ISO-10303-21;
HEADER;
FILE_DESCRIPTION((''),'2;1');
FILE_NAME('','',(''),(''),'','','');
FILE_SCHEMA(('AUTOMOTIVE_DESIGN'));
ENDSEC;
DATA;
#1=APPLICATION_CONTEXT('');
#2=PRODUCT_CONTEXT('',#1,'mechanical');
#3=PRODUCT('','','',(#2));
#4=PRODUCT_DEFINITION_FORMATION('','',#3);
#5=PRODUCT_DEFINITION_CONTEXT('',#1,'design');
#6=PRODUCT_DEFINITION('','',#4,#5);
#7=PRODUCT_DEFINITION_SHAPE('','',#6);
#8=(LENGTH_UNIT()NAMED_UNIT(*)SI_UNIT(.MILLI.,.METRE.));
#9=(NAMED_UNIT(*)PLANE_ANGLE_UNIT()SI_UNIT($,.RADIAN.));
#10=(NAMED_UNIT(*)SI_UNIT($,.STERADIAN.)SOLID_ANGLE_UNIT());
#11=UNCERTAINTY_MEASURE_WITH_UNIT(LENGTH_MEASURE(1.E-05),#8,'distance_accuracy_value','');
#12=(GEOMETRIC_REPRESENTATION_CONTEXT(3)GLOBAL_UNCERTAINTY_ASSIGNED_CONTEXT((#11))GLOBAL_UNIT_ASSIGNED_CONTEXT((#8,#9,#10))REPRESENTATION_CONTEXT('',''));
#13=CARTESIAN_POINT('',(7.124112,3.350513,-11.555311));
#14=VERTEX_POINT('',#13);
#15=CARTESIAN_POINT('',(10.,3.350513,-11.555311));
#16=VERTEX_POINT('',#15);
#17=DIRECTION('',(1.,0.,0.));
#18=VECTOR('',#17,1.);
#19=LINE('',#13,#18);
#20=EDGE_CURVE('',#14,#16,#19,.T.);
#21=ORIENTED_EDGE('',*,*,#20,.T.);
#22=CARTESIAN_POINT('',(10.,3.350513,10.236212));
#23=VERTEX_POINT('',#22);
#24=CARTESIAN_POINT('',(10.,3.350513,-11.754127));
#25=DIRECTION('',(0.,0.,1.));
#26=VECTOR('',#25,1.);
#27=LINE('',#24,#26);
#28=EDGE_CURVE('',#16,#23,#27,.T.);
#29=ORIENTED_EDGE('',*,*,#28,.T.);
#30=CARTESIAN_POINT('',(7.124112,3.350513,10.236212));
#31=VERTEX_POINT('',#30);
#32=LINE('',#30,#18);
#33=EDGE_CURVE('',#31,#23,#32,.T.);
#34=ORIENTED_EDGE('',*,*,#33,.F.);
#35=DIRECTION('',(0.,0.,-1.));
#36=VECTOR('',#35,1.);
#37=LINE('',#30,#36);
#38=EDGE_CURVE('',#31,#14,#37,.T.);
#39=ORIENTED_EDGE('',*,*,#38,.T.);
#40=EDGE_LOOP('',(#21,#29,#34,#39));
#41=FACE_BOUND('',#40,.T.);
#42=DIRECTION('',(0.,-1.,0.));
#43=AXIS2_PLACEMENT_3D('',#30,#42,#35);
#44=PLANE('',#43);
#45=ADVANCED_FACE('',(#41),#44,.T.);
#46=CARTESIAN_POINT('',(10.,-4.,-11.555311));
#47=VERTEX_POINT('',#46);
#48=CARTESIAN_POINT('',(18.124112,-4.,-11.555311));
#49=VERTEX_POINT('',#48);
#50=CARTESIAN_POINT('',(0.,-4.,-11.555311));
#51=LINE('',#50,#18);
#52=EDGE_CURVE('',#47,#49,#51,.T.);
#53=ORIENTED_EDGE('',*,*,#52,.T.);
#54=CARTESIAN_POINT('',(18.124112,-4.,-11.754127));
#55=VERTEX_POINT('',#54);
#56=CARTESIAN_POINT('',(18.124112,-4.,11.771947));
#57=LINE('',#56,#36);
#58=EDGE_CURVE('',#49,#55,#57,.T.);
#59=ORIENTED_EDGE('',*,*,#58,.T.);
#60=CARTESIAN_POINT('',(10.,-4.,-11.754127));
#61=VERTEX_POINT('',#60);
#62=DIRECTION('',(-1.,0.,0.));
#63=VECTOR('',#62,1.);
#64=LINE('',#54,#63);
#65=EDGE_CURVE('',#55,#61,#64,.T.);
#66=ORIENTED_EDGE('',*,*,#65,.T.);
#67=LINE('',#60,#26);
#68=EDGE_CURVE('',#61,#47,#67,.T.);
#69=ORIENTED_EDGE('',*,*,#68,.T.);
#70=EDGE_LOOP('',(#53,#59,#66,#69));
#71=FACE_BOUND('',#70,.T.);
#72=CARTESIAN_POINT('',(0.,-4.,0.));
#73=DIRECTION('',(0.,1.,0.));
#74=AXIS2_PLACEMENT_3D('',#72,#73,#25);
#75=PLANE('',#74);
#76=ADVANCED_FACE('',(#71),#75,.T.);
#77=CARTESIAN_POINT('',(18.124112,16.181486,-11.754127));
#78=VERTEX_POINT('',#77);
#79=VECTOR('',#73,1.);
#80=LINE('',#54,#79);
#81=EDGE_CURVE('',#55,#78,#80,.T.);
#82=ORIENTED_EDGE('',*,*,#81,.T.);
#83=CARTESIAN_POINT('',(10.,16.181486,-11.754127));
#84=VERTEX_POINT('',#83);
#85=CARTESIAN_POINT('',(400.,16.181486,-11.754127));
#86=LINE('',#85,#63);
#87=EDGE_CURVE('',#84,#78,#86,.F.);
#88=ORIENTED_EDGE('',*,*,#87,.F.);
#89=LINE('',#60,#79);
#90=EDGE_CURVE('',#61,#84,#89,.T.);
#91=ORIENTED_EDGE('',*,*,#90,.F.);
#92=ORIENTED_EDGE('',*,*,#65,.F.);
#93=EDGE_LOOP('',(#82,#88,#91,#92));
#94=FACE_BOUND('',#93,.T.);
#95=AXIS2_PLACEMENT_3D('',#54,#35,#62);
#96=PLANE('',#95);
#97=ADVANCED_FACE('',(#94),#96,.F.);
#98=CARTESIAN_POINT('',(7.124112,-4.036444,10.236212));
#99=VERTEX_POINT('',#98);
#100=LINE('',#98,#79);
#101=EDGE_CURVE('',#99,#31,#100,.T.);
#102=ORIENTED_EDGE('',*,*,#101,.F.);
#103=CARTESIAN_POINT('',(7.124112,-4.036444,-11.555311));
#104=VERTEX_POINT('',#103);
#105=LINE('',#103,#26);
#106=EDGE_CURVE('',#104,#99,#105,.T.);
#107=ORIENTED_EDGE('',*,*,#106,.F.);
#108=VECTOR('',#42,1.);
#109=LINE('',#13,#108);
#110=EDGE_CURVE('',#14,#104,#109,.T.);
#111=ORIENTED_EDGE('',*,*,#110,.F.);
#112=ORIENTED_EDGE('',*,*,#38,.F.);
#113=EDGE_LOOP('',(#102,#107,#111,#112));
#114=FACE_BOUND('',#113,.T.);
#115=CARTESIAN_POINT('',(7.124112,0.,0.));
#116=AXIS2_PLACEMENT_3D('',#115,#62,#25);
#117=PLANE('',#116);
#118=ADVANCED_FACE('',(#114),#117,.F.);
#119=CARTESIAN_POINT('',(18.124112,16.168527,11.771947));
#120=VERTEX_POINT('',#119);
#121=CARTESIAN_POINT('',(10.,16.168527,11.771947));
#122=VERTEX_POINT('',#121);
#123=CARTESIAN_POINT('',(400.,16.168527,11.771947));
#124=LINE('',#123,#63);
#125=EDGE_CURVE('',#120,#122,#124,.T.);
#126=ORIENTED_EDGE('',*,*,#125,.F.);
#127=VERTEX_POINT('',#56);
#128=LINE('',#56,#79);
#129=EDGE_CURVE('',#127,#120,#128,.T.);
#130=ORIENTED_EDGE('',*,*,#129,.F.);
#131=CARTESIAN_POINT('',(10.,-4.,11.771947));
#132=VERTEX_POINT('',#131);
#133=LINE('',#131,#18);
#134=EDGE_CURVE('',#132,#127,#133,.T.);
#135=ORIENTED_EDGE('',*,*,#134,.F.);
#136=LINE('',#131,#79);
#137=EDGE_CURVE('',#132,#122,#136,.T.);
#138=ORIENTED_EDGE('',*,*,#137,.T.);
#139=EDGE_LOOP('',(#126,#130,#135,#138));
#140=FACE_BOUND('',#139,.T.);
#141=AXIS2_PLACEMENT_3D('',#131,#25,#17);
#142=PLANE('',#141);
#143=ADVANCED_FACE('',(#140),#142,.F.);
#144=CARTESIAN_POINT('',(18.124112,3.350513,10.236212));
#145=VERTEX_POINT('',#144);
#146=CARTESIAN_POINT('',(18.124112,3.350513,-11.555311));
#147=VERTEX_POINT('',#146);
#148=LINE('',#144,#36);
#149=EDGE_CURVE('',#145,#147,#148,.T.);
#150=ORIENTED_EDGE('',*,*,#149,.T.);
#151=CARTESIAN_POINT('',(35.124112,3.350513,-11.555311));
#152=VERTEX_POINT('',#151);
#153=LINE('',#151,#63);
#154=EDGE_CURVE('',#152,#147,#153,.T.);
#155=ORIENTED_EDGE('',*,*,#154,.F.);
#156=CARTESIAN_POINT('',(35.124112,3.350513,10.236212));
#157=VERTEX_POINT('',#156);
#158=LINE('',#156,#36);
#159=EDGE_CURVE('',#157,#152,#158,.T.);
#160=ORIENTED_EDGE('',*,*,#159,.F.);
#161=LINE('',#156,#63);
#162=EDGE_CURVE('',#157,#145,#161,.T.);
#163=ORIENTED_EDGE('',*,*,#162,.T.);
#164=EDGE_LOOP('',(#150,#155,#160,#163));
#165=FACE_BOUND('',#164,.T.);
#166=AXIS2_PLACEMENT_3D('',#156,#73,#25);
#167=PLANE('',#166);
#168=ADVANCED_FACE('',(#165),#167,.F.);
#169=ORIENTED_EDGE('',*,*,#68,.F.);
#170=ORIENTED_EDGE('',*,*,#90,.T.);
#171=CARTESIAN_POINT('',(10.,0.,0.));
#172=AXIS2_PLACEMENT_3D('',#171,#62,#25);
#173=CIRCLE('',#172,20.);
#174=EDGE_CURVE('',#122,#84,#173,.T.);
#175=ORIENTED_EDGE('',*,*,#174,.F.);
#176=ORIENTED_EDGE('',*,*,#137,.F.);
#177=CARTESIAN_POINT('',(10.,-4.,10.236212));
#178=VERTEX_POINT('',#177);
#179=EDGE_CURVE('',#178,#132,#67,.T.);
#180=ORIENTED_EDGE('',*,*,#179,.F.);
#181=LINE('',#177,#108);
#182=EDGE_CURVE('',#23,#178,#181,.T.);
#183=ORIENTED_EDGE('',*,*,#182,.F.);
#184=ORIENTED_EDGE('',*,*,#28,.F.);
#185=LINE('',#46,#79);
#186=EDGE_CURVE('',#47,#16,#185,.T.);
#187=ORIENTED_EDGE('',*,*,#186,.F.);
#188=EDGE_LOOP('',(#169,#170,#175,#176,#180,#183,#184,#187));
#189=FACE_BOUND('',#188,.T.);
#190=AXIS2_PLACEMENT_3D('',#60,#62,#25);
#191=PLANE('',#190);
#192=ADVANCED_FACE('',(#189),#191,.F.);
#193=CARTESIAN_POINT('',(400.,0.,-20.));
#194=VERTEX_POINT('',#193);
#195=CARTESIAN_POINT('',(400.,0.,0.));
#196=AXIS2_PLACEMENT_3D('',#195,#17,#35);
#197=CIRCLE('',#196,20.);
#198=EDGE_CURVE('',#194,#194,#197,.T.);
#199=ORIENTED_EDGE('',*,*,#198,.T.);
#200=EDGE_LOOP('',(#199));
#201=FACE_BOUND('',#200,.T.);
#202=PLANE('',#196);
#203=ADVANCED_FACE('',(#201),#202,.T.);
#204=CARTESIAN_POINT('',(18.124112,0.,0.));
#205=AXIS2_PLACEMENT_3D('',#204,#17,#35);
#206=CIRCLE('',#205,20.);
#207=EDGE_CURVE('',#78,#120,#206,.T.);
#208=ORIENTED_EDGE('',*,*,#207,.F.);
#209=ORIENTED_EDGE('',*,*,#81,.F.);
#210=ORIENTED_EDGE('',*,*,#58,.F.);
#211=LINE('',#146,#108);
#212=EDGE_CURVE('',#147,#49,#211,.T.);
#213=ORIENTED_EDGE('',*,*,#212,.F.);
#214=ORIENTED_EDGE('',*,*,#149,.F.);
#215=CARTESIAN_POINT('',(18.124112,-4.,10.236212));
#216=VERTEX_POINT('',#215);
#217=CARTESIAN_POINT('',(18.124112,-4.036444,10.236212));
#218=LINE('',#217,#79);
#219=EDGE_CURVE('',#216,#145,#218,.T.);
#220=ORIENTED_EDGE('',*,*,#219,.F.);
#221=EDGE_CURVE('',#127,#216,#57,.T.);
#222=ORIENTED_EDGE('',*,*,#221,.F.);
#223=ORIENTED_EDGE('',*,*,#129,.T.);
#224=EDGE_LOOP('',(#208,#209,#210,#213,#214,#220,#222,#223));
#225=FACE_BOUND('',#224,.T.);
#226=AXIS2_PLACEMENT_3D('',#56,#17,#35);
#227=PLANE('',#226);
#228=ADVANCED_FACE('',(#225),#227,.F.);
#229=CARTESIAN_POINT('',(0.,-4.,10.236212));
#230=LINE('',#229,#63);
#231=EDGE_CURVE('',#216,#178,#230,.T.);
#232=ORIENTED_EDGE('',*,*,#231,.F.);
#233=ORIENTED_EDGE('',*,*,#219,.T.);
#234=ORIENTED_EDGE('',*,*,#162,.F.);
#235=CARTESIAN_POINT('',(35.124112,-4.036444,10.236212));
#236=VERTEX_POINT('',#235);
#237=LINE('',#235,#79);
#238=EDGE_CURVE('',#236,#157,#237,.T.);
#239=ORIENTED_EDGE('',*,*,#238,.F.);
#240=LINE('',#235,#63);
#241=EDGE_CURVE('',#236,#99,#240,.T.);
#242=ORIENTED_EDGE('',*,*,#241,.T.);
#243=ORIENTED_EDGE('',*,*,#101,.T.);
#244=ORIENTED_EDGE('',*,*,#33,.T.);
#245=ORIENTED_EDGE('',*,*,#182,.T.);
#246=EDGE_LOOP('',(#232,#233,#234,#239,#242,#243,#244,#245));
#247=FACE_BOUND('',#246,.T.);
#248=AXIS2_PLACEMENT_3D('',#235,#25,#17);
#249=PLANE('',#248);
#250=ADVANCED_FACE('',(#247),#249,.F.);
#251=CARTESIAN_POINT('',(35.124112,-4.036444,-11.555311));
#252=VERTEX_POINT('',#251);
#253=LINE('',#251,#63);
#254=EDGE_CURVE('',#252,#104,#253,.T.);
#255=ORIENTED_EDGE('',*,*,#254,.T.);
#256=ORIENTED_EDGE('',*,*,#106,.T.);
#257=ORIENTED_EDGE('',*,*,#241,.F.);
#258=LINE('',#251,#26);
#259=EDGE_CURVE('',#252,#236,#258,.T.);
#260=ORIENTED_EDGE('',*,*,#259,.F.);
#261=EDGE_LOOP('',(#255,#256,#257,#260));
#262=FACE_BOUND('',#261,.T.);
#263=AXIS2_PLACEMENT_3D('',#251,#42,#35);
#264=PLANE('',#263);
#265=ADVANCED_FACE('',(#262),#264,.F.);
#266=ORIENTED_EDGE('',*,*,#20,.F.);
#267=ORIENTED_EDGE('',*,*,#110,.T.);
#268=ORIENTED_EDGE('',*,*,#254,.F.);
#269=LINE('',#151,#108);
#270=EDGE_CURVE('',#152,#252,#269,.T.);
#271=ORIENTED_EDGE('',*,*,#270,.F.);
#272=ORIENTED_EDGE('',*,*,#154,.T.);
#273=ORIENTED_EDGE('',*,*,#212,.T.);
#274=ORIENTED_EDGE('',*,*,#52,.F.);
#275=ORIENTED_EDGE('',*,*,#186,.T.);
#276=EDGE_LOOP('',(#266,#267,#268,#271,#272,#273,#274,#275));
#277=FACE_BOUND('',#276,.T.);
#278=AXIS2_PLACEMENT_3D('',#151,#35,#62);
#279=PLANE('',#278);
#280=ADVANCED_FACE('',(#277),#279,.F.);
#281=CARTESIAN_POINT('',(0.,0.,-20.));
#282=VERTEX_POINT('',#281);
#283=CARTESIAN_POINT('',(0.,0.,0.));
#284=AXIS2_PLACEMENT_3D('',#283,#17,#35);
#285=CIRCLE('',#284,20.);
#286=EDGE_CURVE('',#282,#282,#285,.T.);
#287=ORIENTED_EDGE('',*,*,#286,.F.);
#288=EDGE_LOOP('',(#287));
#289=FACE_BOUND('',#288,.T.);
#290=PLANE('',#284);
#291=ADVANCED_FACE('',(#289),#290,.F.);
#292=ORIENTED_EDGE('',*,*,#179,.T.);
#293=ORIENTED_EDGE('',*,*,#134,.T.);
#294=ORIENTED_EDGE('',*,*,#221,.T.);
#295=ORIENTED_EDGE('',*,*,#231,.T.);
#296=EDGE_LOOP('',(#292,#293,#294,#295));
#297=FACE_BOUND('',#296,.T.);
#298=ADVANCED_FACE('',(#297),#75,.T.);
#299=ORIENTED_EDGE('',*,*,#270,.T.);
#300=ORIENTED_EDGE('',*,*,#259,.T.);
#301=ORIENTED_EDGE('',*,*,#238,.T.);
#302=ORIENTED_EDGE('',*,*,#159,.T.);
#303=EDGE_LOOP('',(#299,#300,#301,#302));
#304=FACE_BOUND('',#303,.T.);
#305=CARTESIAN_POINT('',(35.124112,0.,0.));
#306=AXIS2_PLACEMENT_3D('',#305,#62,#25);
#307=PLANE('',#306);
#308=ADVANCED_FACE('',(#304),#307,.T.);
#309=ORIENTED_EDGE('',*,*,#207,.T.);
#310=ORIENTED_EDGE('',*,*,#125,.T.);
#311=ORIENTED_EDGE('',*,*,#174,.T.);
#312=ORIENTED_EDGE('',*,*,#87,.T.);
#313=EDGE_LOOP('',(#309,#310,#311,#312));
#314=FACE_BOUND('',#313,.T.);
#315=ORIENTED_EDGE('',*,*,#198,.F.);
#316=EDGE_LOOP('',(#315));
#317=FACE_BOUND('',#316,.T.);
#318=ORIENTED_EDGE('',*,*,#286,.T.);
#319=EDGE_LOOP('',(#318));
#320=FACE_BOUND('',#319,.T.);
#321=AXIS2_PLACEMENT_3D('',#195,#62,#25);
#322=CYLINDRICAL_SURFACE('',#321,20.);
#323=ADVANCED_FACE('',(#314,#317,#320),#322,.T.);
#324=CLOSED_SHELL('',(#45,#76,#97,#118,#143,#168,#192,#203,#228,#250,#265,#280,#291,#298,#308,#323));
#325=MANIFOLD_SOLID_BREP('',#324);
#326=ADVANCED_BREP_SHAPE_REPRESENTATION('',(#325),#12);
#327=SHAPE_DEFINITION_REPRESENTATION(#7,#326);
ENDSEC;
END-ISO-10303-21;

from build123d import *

# Parameters (mm, degrees)
SKETCH2_R           = 20
BOSS_EXTRUDE1_DEPTH = 400
SKETCH3_W           = 8.124111934
SKETCH3_H           = 23.526074142
CUT_EXTRUDE1_DEPTH  = 24
SKETCH5_W           = 21.791522519
SKETCH5_H           = 7.386956786
CUT_EXTRUDE2_DEPTH  = 17
SKETCH5_2_W         = 21.791522519
SKETCH5_2_H         = 7.386956786
CUT_EXTRUDE3_DEPTH  = 11


with BuildPart() as part:
    # Sketch2 → Boss-Extrude1 (new body)
    with BuildSketch(Plane(origin=(0, 0, 0), x_dir=(0, 0, -1), z_dir=(1, 0, 0))):
        Circle(SKETCH2_R)
    extrude(amount=BOSS_EXTRUDE1_DEPTH)

    # Sketch3 → Cut-Extrude1 (cut)
    with BuildSketch(Plane(origin=(0, 20, 0), x_dir=(1, 0, 0), z_dir=(0, 1, 0))):
        with Locations((14.062055967, -0.008909978)):
            Rectangle(SKETCH3_W, SKETCH3_H)
    extrude(amount=-CUT_EXTRUDE1_DEPTH, mode=Mode.SUBTRACT)

    # Sketch5 → Cut-Extrude2 (cut)
    with BuildSketch(Plane.ZY.offset(-18.124111934)):
        with Locations((-0.659549714, -0.342965851)):
            Rectangle(SKETCH5_W, SKETCH5_H)
    extrude(amount=-CUT_EXTRUDE2_DEPTH, mode=Mode.SUBTRACT)

    # Sketch5<2> → Cut-Extrude3 (cut)
    with BuildSketch(Plane.ZY.offset(-18.124111934)):
        with Locations((-0.659549714, -0.342965851)):
            Rectangle(SKETCH5_2_W, SKETCH5_2_H)
    extrude(amount=CUT_EXTRUDE3_DEPTH, mode=Mode.SUBTRACT)


solid = part.part
